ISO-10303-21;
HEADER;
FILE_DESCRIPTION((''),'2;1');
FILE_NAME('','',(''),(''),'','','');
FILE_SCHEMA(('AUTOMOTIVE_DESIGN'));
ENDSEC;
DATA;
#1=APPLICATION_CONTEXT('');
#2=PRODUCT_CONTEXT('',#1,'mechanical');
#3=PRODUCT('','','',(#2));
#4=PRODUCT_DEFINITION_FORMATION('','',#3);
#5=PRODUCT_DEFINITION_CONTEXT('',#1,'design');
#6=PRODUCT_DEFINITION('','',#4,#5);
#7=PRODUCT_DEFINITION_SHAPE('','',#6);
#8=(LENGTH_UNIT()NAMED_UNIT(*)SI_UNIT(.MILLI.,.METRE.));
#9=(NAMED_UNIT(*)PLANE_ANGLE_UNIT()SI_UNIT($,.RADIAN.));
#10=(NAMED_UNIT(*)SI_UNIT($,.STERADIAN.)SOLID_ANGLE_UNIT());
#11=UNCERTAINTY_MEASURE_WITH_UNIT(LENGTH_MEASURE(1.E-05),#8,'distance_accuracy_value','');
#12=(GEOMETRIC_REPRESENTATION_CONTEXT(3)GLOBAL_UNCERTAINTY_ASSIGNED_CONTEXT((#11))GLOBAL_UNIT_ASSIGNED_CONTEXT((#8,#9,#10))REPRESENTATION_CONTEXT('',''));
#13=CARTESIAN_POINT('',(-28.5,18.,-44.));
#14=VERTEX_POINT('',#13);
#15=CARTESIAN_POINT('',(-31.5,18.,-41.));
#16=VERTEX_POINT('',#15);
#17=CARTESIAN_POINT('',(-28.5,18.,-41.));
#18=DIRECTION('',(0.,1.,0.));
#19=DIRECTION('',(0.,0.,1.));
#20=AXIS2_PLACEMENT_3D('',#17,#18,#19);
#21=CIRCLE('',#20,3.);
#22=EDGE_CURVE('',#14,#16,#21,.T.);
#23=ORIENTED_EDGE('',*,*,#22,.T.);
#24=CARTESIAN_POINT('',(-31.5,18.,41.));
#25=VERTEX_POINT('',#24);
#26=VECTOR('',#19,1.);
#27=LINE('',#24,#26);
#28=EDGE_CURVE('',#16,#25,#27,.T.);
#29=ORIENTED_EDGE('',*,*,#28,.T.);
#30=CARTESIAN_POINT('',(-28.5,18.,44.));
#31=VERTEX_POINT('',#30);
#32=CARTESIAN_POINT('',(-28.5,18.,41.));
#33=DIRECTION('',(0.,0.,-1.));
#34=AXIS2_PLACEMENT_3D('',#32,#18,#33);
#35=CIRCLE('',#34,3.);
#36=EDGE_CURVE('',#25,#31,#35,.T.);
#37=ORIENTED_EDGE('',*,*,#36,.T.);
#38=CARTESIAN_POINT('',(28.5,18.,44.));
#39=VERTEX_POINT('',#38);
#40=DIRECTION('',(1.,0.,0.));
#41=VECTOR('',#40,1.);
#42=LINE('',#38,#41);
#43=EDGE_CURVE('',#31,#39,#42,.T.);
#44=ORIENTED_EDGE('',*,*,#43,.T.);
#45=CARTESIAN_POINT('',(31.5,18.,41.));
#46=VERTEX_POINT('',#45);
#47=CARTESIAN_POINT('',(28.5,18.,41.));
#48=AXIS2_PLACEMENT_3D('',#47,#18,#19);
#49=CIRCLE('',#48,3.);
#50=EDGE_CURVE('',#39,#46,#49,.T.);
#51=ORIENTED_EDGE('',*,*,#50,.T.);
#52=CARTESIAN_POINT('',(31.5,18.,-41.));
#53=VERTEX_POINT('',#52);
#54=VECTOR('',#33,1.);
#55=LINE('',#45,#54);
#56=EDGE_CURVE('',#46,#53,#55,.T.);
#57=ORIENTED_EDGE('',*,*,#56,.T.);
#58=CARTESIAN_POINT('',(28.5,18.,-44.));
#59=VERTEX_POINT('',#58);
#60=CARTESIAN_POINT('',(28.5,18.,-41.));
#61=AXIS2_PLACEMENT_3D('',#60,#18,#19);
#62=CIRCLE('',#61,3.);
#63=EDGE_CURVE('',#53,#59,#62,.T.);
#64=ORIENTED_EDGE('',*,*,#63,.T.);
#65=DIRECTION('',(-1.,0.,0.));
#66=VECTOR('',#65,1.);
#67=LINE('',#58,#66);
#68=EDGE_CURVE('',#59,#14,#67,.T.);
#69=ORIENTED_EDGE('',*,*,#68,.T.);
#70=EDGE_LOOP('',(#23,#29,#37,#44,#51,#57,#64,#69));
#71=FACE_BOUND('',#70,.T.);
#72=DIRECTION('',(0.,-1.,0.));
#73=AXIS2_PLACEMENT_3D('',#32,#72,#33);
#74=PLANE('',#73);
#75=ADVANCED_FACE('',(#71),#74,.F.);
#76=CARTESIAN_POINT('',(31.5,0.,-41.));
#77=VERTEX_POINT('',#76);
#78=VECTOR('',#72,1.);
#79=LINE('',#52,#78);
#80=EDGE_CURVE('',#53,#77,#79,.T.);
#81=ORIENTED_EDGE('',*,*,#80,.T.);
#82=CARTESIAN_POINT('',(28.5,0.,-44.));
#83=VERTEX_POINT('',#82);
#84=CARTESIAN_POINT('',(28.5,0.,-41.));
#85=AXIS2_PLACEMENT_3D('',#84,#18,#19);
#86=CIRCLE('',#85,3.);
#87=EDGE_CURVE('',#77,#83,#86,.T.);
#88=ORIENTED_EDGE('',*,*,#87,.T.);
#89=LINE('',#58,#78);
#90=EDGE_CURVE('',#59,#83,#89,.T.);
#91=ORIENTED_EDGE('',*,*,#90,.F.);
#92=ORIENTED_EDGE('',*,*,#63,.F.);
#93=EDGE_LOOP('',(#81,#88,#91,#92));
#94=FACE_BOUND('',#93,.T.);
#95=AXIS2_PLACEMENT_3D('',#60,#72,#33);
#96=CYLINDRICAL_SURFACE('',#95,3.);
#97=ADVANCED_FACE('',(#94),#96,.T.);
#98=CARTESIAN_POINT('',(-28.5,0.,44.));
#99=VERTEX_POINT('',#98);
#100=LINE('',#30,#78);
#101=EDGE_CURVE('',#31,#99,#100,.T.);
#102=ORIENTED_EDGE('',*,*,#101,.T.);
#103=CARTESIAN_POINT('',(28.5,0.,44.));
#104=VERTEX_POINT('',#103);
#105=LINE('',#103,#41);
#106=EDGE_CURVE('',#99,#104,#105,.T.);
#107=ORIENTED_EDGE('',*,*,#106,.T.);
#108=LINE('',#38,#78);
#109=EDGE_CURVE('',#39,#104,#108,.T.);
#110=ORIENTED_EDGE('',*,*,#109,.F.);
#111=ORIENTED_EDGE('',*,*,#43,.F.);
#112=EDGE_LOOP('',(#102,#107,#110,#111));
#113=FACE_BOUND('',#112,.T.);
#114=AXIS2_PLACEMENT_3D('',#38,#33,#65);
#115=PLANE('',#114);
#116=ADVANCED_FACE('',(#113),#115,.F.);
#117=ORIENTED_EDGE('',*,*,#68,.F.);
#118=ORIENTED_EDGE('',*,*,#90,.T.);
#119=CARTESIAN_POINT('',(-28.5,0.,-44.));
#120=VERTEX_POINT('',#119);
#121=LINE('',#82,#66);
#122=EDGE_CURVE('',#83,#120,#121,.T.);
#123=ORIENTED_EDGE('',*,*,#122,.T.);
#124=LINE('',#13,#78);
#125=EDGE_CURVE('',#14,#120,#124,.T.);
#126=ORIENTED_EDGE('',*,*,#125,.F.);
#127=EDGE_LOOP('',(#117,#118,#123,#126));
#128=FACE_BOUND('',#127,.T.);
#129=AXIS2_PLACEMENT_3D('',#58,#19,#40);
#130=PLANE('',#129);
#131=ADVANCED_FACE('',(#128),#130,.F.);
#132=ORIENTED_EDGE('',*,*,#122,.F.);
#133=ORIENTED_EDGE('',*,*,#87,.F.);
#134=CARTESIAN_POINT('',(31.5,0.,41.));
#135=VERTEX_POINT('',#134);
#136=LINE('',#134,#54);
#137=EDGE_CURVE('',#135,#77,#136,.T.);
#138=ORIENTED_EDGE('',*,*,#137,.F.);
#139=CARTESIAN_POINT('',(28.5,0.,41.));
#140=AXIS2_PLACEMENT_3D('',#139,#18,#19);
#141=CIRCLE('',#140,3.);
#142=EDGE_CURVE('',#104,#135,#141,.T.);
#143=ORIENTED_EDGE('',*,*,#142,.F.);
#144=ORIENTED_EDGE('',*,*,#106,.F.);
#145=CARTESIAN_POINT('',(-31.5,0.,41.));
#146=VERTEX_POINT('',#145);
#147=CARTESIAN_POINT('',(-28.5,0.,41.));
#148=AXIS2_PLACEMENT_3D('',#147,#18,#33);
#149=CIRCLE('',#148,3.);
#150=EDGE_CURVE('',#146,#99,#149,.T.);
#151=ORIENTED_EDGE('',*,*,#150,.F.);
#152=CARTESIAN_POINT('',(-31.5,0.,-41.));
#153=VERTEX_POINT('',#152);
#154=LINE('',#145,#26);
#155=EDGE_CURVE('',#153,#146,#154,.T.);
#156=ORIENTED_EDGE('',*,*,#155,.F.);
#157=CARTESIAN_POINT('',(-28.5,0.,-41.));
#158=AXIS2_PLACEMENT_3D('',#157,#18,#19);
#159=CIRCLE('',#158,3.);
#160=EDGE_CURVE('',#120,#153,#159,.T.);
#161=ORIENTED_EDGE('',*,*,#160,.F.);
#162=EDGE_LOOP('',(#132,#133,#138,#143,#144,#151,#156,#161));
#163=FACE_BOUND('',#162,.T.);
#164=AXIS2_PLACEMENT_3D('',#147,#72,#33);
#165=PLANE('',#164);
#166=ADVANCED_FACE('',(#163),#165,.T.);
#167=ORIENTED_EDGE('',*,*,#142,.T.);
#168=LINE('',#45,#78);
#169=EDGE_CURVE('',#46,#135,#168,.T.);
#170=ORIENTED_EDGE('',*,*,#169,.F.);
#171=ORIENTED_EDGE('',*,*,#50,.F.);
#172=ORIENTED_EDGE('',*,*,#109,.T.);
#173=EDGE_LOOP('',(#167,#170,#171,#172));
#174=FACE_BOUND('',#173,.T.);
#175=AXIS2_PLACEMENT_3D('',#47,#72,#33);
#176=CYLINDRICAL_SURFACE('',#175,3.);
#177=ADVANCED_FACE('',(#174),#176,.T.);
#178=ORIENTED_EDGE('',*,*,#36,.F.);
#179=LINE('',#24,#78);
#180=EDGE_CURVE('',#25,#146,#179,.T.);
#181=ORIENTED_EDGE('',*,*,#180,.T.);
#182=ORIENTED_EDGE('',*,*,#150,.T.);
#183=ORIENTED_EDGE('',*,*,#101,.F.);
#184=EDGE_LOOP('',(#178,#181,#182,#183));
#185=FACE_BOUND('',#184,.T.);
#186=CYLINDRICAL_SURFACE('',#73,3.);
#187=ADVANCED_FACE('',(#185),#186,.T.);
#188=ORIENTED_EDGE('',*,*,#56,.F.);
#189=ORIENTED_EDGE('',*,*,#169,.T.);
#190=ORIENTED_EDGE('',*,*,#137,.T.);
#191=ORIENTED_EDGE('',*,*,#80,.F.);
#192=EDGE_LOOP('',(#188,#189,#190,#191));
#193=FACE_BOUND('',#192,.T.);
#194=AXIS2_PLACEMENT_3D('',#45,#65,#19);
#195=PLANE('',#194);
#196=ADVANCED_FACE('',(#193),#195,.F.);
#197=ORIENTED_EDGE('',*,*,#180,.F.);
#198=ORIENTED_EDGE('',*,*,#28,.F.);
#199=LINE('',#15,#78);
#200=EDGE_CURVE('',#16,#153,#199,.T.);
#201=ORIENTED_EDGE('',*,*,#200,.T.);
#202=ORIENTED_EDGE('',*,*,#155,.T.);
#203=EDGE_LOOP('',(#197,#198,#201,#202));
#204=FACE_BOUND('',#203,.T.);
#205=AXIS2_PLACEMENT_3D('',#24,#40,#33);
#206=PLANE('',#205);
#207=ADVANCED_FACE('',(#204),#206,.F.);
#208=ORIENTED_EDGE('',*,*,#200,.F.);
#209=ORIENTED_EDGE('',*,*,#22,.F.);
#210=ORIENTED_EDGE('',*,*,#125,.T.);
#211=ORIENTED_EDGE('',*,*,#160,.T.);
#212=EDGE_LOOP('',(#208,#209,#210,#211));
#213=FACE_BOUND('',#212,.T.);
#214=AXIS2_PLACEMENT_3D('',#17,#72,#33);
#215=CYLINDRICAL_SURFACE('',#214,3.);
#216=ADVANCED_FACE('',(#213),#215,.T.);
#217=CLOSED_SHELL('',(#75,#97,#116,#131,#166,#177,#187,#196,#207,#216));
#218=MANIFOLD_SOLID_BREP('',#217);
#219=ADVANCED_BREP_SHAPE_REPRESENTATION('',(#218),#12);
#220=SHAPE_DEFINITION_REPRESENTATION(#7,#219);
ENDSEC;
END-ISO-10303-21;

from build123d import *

# Parameters (mm, degrees)
BOSS_EXTRUDE1_DEPTH = 18


with BuildPart() as part:
    # Sketch1 → Boss-Extrude1 (new body)
    with BuildSketch(Plane(origin=(0, 0, 0), x_dir=(1, 0, 0), z_dir=(0, 1, 0))):
        with BuildLine():
            Line((28.5, -44), (-28.5, -44))
            ThreePointArc((-28.5, -44), (-30.621320344, -43.121320344), (-31.5, -41))
            Line((-31.5, -41), (-31.5, 41))
            ThreePointArc((-31.5, 41), (-30.621320344, 43.121320344), (-28.5, 44))
            Line((-28.5, 44), (28.5, 44))
            ThreePointArc((28.5, 44), (30.621320344, 43.121320344), (31.5, 41))
            Line((31.5, 41), (31.5, -41))
            ThreePointArc((31.5, -41), (30.621320344, -43.121320344), (28.5, -44))
        make_face()
    extrude(amount=BOSS_EXTRUDE1_DEPTH)


solid = part.part
